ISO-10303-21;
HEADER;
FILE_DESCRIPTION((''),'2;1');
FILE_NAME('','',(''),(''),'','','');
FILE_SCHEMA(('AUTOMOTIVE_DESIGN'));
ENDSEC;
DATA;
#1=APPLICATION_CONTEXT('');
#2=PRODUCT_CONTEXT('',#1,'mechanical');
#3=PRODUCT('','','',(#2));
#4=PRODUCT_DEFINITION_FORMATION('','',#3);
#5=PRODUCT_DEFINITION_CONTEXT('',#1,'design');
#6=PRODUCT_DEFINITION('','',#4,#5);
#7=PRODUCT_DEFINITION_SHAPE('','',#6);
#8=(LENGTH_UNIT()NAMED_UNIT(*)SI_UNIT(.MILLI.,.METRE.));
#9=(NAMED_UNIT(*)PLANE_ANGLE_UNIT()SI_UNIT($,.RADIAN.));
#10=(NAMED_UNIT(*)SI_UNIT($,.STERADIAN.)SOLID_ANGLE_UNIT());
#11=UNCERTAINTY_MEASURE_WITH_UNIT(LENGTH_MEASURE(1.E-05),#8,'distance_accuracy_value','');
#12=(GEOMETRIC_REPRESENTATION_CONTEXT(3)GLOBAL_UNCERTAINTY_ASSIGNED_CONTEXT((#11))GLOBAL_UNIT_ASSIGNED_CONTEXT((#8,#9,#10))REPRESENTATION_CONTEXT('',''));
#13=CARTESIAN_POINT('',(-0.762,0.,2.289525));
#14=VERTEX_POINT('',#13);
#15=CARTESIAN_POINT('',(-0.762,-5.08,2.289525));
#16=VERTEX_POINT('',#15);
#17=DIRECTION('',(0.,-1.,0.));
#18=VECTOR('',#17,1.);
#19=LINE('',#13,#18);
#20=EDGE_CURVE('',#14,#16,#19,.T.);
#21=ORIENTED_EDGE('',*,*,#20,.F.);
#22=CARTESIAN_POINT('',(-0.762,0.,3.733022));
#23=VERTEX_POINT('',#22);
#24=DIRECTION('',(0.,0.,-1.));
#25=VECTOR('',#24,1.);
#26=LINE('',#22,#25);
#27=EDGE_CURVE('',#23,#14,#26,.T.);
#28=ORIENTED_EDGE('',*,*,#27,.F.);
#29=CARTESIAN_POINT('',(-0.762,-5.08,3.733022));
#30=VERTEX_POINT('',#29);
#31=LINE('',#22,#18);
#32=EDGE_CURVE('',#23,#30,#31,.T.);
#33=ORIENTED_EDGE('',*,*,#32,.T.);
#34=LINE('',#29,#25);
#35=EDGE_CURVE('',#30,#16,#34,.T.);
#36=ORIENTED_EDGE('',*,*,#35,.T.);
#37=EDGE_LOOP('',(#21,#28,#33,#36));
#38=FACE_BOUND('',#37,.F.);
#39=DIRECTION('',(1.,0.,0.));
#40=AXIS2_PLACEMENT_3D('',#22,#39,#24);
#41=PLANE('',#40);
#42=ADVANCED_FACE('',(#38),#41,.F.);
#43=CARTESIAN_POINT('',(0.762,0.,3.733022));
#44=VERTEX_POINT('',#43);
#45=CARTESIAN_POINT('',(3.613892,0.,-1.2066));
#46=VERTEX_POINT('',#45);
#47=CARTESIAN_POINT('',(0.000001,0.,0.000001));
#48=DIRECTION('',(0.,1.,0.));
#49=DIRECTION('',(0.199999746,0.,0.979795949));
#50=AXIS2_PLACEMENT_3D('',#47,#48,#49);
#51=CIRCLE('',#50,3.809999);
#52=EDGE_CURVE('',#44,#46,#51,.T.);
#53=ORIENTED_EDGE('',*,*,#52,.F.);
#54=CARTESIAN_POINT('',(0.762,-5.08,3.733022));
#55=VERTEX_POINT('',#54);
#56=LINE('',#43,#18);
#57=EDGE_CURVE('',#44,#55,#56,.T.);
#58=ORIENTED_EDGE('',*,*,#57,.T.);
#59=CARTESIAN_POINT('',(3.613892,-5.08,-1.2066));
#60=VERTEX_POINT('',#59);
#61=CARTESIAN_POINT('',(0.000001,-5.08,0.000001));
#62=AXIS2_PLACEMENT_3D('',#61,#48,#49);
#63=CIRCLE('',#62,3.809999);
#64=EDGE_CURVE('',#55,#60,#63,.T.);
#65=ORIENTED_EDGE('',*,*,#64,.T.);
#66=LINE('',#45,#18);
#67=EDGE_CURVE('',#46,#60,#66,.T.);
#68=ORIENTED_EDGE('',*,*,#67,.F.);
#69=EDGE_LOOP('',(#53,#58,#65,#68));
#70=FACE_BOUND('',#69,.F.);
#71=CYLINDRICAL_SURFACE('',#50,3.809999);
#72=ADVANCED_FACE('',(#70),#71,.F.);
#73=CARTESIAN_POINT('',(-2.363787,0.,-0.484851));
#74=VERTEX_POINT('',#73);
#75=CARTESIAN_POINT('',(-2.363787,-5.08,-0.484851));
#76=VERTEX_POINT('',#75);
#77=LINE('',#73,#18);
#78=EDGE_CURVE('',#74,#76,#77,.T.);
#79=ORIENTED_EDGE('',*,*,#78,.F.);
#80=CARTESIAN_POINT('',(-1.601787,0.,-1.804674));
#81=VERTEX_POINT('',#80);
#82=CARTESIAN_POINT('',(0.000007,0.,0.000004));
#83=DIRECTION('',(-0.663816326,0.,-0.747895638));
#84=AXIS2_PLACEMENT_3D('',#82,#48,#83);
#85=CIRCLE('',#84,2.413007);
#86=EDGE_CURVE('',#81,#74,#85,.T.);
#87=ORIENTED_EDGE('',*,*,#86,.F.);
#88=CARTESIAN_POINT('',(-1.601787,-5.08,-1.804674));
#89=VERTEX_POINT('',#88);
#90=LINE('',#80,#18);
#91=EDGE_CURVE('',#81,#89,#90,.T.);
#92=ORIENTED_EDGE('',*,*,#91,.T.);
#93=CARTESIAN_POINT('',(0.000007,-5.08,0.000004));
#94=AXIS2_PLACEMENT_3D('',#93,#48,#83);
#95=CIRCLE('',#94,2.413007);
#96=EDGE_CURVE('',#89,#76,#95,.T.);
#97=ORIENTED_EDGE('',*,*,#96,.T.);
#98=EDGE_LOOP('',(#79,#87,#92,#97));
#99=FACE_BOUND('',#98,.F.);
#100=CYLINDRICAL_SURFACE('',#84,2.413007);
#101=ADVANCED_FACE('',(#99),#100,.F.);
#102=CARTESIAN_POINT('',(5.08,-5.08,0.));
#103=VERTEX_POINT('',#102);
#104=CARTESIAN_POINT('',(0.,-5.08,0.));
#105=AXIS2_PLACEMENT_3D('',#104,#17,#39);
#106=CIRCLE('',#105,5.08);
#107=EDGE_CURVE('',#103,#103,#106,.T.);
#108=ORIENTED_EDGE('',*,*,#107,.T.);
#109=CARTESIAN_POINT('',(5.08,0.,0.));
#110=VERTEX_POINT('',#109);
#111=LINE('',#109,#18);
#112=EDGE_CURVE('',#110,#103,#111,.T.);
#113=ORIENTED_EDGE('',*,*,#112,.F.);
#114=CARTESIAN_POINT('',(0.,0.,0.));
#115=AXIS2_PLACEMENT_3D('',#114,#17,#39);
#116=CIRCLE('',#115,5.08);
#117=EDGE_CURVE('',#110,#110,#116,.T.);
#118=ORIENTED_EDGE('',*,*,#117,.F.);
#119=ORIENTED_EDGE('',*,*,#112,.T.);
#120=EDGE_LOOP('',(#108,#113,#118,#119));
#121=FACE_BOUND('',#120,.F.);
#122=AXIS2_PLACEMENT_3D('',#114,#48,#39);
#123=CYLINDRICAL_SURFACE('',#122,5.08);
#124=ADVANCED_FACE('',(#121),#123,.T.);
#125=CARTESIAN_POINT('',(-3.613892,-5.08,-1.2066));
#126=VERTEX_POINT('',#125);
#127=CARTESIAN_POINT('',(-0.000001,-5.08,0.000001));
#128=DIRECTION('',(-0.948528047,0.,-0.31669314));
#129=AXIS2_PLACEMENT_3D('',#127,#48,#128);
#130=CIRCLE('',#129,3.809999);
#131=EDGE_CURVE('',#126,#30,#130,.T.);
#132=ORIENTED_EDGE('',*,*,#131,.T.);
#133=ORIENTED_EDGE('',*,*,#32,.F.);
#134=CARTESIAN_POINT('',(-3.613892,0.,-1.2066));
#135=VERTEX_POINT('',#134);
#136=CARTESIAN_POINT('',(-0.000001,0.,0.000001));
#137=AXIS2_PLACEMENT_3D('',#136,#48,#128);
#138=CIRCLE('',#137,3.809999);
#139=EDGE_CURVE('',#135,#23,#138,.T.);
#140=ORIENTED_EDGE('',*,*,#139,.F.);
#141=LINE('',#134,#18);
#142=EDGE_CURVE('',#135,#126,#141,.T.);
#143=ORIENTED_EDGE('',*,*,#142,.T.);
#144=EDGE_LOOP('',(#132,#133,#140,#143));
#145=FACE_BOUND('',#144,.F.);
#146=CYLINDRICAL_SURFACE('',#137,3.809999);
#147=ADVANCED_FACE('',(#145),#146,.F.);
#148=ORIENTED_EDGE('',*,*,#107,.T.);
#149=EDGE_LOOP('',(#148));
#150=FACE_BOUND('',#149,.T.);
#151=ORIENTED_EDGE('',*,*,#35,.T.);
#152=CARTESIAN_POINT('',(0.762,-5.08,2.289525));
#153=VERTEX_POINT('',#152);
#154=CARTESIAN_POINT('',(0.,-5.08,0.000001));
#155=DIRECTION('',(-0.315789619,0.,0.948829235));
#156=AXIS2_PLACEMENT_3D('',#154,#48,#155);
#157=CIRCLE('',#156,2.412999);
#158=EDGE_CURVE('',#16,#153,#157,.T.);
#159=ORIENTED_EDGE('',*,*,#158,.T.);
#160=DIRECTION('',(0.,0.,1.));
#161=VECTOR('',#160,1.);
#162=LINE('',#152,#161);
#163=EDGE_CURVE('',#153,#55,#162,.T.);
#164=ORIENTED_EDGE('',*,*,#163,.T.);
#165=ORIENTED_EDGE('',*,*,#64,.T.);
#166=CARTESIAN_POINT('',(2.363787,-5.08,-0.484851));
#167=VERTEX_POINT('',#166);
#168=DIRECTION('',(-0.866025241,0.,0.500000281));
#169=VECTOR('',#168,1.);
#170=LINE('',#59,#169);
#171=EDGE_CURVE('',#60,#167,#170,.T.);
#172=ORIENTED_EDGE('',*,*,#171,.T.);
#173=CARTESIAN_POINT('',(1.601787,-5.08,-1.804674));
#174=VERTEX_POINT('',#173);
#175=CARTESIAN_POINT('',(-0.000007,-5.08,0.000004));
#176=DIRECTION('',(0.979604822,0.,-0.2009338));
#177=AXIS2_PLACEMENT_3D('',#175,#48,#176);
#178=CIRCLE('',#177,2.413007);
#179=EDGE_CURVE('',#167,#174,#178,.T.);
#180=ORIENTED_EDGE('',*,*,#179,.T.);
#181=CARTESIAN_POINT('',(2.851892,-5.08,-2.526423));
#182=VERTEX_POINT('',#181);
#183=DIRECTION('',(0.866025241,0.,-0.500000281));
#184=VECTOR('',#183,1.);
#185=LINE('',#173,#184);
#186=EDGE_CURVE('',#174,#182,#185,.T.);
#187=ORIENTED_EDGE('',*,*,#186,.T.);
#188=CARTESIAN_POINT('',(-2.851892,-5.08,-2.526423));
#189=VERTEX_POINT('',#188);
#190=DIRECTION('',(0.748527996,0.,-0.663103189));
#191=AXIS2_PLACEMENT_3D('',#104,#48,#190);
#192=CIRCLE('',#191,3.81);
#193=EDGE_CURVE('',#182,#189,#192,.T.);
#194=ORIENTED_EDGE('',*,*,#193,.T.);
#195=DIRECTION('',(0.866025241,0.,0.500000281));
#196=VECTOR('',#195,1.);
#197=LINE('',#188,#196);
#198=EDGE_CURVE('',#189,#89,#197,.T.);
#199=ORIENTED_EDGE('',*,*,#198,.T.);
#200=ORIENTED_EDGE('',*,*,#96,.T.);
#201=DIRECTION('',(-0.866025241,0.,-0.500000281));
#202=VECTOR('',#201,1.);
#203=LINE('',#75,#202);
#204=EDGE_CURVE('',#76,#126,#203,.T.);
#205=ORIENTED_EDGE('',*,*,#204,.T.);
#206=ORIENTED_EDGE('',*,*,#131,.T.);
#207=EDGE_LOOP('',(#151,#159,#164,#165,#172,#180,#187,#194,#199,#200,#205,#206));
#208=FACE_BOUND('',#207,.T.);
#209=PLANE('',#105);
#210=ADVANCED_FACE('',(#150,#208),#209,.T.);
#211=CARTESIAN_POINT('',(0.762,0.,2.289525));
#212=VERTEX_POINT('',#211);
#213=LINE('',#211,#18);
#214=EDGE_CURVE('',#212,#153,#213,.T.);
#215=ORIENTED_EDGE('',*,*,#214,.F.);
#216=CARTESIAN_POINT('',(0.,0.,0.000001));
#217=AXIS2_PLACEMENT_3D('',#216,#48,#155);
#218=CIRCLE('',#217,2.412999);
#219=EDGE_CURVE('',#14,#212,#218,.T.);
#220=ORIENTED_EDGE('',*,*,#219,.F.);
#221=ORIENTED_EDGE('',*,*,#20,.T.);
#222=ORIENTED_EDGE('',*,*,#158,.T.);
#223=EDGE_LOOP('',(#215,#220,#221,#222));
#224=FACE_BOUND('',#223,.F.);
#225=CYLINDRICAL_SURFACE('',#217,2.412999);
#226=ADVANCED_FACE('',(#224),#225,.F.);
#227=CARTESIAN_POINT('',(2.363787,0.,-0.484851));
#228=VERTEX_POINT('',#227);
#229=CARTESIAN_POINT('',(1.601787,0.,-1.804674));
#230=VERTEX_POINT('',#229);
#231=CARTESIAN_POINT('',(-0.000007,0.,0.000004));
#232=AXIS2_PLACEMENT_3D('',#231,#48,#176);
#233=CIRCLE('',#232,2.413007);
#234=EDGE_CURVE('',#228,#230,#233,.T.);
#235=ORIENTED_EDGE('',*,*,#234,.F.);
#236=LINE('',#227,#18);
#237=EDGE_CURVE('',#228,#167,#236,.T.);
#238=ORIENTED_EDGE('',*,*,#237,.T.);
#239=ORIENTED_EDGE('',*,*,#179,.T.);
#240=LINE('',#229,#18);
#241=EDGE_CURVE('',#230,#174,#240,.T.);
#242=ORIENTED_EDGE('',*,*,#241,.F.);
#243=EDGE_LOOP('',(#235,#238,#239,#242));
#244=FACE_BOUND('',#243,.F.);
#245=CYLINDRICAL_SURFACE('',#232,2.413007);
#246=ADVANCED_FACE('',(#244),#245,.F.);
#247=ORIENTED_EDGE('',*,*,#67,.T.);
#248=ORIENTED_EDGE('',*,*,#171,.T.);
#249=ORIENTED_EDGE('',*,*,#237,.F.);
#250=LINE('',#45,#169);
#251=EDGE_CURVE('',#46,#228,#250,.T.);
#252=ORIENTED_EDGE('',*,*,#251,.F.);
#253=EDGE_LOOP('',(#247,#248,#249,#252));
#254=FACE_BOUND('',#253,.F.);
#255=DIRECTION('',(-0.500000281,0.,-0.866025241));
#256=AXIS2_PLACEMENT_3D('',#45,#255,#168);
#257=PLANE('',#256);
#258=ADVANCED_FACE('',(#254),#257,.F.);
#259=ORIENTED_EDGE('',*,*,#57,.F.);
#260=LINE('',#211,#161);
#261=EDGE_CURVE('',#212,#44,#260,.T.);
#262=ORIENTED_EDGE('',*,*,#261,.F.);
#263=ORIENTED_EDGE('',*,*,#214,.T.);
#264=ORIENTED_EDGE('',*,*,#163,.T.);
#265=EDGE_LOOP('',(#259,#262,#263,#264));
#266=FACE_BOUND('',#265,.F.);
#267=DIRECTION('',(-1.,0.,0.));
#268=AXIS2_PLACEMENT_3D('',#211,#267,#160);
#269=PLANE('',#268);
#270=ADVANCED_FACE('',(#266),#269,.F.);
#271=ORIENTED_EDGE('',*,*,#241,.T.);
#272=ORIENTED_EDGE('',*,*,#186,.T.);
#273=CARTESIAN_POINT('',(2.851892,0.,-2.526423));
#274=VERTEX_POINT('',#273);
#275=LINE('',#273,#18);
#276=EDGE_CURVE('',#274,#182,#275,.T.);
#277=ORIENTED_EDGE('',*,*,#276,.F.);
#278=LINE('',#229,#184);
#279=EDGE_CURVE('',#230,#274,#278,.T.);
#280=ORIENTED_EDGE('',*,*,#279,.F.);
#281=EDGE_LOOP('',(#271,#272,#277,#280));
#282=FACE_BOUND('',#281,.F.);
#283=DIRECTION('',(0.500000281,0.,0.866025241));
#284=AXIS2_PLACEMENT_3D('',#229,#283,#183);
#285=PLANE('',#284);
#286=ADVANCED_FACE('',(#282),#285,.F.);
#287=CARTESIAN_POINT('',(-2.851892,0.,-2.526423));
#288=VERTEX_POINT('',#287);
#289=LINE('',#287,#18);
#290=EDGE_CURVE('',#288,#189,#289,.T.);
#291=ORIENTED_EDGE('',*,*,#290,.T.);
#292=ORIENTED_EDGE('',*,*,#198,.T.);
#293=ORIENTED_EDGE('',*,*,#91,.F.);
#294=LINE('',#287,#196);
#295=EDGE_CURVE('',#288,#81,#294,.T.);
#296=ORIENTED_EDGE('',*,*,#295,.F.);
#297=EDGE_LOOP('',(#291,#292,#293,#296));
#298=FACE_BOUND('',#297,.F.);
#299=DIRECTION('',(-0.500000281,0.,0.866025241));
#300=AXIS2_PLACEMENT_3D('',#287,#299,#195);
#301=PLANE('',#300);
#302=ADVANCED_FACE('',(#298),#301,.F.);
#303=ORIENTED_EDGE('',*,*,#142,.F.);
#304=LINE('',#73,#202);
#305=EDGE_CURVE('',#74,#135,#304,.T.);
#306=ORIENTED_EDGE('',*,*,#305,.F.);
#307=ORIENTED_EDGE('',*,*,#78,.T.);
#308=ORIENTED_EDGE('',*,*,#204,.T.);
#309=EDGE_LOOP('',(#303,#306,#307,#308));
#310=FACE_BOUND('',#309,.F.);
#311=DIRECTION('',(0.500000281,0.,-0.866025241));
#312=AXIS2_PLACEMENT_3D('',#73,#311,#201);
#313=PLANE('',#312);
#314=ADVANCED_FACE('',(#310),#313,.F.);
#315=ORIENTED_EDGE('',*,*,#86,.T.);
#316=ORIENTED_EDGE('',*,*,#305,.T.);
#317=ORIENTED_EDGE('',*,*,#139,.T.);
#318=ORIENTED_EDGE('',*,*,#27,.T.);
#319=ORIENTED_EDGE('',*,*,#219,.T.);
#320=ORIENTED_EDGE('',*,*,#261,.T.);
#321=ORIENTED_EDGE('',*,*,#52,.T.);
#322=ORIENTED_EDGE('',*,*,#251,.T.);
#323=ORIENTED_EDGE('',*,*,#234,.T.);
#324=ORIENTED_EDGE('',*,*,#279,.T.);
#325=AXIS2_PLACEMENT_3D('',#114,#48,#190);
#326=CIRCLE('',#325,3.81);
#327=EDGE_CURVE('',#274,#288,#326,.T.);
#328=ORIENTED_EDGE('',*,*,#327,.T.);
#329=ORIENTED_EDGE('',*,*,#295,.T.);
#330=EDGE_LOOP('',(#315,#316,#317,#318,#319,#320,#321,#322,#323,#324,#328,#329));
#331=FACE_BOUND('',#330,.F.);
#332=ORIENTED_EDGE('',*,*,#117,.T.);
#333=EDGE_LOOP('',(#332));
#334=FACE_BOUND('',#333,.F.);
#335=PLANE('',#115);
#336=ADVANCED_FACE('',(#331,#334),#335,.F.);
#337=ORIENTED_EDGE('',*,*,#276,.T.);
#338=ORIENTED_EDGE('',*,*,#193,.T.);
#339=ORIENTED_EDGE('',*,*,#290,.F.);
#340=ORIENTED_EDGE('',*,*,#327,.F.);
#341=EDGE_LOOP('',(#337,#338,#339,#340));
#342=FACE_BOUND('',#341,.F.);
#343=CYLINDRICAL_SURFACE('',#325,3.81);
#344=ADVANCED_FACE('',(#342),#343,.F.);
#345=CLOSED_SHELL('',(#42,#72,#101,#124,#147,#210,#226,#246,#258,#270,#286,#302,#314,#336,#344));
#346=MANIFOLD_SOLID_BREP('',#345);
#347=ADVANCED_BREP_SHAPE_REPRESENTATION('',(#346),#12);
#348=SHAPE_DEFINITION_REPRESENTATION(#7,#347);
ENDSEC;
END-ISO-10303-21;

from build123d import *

# Parameters (mm, degrees)
F0_R     = 5.08
F1_DEPTH = 5.08


with BuildPart() as f1:
    # F0 (on Front) → F1 (new body)
    with BuildSketch(Plane.XZ):
        Circle(F0_R)
        with BuildLine():
            ThreePointArc((-0.762, 2.289525), (0, 2.413), (0.762, 2.289525))
            Line((0.762, 2.289525), (0.762, 3.733022))
            ThreePointArc((0.762, 3.733022), (3.299557, 1.905), (3.613892, -1.2066))
            Line((3.613892, -1.2066), (2.363787, -0.484851))
            ThreePointArc((2.363787, -0.484851), (2.089719, -1.2065), (1.601787, -1.804674))
            Line((1.601787, -1.804674), (2.851892, -2.526423))
            ThreePointArc((2.851892, -2.526423), (0, -3.81), (-2.851892, -2.526423))
            Line((-2.851892, -2.526423), (-1.601787, -1.804674))
            ThreePointArc((-1.601787, -1.804674), (-2.089719, -1.2065), (-2.363787, -0.484851))
            Line((-2.363787, -0.484851), (-3.613892, -1.2066))
            ThreePointArc((-3.613892, -1.2066), (-3.299557, 1.905), (-0.762, 3.733022))
            Line((-0.762, 3.733022), (-0.762, 2.289525))
        make_face(mode=Mode.SUBTRACT)
    extrude(amount=F1_DEPTH)


solid = f1.part
